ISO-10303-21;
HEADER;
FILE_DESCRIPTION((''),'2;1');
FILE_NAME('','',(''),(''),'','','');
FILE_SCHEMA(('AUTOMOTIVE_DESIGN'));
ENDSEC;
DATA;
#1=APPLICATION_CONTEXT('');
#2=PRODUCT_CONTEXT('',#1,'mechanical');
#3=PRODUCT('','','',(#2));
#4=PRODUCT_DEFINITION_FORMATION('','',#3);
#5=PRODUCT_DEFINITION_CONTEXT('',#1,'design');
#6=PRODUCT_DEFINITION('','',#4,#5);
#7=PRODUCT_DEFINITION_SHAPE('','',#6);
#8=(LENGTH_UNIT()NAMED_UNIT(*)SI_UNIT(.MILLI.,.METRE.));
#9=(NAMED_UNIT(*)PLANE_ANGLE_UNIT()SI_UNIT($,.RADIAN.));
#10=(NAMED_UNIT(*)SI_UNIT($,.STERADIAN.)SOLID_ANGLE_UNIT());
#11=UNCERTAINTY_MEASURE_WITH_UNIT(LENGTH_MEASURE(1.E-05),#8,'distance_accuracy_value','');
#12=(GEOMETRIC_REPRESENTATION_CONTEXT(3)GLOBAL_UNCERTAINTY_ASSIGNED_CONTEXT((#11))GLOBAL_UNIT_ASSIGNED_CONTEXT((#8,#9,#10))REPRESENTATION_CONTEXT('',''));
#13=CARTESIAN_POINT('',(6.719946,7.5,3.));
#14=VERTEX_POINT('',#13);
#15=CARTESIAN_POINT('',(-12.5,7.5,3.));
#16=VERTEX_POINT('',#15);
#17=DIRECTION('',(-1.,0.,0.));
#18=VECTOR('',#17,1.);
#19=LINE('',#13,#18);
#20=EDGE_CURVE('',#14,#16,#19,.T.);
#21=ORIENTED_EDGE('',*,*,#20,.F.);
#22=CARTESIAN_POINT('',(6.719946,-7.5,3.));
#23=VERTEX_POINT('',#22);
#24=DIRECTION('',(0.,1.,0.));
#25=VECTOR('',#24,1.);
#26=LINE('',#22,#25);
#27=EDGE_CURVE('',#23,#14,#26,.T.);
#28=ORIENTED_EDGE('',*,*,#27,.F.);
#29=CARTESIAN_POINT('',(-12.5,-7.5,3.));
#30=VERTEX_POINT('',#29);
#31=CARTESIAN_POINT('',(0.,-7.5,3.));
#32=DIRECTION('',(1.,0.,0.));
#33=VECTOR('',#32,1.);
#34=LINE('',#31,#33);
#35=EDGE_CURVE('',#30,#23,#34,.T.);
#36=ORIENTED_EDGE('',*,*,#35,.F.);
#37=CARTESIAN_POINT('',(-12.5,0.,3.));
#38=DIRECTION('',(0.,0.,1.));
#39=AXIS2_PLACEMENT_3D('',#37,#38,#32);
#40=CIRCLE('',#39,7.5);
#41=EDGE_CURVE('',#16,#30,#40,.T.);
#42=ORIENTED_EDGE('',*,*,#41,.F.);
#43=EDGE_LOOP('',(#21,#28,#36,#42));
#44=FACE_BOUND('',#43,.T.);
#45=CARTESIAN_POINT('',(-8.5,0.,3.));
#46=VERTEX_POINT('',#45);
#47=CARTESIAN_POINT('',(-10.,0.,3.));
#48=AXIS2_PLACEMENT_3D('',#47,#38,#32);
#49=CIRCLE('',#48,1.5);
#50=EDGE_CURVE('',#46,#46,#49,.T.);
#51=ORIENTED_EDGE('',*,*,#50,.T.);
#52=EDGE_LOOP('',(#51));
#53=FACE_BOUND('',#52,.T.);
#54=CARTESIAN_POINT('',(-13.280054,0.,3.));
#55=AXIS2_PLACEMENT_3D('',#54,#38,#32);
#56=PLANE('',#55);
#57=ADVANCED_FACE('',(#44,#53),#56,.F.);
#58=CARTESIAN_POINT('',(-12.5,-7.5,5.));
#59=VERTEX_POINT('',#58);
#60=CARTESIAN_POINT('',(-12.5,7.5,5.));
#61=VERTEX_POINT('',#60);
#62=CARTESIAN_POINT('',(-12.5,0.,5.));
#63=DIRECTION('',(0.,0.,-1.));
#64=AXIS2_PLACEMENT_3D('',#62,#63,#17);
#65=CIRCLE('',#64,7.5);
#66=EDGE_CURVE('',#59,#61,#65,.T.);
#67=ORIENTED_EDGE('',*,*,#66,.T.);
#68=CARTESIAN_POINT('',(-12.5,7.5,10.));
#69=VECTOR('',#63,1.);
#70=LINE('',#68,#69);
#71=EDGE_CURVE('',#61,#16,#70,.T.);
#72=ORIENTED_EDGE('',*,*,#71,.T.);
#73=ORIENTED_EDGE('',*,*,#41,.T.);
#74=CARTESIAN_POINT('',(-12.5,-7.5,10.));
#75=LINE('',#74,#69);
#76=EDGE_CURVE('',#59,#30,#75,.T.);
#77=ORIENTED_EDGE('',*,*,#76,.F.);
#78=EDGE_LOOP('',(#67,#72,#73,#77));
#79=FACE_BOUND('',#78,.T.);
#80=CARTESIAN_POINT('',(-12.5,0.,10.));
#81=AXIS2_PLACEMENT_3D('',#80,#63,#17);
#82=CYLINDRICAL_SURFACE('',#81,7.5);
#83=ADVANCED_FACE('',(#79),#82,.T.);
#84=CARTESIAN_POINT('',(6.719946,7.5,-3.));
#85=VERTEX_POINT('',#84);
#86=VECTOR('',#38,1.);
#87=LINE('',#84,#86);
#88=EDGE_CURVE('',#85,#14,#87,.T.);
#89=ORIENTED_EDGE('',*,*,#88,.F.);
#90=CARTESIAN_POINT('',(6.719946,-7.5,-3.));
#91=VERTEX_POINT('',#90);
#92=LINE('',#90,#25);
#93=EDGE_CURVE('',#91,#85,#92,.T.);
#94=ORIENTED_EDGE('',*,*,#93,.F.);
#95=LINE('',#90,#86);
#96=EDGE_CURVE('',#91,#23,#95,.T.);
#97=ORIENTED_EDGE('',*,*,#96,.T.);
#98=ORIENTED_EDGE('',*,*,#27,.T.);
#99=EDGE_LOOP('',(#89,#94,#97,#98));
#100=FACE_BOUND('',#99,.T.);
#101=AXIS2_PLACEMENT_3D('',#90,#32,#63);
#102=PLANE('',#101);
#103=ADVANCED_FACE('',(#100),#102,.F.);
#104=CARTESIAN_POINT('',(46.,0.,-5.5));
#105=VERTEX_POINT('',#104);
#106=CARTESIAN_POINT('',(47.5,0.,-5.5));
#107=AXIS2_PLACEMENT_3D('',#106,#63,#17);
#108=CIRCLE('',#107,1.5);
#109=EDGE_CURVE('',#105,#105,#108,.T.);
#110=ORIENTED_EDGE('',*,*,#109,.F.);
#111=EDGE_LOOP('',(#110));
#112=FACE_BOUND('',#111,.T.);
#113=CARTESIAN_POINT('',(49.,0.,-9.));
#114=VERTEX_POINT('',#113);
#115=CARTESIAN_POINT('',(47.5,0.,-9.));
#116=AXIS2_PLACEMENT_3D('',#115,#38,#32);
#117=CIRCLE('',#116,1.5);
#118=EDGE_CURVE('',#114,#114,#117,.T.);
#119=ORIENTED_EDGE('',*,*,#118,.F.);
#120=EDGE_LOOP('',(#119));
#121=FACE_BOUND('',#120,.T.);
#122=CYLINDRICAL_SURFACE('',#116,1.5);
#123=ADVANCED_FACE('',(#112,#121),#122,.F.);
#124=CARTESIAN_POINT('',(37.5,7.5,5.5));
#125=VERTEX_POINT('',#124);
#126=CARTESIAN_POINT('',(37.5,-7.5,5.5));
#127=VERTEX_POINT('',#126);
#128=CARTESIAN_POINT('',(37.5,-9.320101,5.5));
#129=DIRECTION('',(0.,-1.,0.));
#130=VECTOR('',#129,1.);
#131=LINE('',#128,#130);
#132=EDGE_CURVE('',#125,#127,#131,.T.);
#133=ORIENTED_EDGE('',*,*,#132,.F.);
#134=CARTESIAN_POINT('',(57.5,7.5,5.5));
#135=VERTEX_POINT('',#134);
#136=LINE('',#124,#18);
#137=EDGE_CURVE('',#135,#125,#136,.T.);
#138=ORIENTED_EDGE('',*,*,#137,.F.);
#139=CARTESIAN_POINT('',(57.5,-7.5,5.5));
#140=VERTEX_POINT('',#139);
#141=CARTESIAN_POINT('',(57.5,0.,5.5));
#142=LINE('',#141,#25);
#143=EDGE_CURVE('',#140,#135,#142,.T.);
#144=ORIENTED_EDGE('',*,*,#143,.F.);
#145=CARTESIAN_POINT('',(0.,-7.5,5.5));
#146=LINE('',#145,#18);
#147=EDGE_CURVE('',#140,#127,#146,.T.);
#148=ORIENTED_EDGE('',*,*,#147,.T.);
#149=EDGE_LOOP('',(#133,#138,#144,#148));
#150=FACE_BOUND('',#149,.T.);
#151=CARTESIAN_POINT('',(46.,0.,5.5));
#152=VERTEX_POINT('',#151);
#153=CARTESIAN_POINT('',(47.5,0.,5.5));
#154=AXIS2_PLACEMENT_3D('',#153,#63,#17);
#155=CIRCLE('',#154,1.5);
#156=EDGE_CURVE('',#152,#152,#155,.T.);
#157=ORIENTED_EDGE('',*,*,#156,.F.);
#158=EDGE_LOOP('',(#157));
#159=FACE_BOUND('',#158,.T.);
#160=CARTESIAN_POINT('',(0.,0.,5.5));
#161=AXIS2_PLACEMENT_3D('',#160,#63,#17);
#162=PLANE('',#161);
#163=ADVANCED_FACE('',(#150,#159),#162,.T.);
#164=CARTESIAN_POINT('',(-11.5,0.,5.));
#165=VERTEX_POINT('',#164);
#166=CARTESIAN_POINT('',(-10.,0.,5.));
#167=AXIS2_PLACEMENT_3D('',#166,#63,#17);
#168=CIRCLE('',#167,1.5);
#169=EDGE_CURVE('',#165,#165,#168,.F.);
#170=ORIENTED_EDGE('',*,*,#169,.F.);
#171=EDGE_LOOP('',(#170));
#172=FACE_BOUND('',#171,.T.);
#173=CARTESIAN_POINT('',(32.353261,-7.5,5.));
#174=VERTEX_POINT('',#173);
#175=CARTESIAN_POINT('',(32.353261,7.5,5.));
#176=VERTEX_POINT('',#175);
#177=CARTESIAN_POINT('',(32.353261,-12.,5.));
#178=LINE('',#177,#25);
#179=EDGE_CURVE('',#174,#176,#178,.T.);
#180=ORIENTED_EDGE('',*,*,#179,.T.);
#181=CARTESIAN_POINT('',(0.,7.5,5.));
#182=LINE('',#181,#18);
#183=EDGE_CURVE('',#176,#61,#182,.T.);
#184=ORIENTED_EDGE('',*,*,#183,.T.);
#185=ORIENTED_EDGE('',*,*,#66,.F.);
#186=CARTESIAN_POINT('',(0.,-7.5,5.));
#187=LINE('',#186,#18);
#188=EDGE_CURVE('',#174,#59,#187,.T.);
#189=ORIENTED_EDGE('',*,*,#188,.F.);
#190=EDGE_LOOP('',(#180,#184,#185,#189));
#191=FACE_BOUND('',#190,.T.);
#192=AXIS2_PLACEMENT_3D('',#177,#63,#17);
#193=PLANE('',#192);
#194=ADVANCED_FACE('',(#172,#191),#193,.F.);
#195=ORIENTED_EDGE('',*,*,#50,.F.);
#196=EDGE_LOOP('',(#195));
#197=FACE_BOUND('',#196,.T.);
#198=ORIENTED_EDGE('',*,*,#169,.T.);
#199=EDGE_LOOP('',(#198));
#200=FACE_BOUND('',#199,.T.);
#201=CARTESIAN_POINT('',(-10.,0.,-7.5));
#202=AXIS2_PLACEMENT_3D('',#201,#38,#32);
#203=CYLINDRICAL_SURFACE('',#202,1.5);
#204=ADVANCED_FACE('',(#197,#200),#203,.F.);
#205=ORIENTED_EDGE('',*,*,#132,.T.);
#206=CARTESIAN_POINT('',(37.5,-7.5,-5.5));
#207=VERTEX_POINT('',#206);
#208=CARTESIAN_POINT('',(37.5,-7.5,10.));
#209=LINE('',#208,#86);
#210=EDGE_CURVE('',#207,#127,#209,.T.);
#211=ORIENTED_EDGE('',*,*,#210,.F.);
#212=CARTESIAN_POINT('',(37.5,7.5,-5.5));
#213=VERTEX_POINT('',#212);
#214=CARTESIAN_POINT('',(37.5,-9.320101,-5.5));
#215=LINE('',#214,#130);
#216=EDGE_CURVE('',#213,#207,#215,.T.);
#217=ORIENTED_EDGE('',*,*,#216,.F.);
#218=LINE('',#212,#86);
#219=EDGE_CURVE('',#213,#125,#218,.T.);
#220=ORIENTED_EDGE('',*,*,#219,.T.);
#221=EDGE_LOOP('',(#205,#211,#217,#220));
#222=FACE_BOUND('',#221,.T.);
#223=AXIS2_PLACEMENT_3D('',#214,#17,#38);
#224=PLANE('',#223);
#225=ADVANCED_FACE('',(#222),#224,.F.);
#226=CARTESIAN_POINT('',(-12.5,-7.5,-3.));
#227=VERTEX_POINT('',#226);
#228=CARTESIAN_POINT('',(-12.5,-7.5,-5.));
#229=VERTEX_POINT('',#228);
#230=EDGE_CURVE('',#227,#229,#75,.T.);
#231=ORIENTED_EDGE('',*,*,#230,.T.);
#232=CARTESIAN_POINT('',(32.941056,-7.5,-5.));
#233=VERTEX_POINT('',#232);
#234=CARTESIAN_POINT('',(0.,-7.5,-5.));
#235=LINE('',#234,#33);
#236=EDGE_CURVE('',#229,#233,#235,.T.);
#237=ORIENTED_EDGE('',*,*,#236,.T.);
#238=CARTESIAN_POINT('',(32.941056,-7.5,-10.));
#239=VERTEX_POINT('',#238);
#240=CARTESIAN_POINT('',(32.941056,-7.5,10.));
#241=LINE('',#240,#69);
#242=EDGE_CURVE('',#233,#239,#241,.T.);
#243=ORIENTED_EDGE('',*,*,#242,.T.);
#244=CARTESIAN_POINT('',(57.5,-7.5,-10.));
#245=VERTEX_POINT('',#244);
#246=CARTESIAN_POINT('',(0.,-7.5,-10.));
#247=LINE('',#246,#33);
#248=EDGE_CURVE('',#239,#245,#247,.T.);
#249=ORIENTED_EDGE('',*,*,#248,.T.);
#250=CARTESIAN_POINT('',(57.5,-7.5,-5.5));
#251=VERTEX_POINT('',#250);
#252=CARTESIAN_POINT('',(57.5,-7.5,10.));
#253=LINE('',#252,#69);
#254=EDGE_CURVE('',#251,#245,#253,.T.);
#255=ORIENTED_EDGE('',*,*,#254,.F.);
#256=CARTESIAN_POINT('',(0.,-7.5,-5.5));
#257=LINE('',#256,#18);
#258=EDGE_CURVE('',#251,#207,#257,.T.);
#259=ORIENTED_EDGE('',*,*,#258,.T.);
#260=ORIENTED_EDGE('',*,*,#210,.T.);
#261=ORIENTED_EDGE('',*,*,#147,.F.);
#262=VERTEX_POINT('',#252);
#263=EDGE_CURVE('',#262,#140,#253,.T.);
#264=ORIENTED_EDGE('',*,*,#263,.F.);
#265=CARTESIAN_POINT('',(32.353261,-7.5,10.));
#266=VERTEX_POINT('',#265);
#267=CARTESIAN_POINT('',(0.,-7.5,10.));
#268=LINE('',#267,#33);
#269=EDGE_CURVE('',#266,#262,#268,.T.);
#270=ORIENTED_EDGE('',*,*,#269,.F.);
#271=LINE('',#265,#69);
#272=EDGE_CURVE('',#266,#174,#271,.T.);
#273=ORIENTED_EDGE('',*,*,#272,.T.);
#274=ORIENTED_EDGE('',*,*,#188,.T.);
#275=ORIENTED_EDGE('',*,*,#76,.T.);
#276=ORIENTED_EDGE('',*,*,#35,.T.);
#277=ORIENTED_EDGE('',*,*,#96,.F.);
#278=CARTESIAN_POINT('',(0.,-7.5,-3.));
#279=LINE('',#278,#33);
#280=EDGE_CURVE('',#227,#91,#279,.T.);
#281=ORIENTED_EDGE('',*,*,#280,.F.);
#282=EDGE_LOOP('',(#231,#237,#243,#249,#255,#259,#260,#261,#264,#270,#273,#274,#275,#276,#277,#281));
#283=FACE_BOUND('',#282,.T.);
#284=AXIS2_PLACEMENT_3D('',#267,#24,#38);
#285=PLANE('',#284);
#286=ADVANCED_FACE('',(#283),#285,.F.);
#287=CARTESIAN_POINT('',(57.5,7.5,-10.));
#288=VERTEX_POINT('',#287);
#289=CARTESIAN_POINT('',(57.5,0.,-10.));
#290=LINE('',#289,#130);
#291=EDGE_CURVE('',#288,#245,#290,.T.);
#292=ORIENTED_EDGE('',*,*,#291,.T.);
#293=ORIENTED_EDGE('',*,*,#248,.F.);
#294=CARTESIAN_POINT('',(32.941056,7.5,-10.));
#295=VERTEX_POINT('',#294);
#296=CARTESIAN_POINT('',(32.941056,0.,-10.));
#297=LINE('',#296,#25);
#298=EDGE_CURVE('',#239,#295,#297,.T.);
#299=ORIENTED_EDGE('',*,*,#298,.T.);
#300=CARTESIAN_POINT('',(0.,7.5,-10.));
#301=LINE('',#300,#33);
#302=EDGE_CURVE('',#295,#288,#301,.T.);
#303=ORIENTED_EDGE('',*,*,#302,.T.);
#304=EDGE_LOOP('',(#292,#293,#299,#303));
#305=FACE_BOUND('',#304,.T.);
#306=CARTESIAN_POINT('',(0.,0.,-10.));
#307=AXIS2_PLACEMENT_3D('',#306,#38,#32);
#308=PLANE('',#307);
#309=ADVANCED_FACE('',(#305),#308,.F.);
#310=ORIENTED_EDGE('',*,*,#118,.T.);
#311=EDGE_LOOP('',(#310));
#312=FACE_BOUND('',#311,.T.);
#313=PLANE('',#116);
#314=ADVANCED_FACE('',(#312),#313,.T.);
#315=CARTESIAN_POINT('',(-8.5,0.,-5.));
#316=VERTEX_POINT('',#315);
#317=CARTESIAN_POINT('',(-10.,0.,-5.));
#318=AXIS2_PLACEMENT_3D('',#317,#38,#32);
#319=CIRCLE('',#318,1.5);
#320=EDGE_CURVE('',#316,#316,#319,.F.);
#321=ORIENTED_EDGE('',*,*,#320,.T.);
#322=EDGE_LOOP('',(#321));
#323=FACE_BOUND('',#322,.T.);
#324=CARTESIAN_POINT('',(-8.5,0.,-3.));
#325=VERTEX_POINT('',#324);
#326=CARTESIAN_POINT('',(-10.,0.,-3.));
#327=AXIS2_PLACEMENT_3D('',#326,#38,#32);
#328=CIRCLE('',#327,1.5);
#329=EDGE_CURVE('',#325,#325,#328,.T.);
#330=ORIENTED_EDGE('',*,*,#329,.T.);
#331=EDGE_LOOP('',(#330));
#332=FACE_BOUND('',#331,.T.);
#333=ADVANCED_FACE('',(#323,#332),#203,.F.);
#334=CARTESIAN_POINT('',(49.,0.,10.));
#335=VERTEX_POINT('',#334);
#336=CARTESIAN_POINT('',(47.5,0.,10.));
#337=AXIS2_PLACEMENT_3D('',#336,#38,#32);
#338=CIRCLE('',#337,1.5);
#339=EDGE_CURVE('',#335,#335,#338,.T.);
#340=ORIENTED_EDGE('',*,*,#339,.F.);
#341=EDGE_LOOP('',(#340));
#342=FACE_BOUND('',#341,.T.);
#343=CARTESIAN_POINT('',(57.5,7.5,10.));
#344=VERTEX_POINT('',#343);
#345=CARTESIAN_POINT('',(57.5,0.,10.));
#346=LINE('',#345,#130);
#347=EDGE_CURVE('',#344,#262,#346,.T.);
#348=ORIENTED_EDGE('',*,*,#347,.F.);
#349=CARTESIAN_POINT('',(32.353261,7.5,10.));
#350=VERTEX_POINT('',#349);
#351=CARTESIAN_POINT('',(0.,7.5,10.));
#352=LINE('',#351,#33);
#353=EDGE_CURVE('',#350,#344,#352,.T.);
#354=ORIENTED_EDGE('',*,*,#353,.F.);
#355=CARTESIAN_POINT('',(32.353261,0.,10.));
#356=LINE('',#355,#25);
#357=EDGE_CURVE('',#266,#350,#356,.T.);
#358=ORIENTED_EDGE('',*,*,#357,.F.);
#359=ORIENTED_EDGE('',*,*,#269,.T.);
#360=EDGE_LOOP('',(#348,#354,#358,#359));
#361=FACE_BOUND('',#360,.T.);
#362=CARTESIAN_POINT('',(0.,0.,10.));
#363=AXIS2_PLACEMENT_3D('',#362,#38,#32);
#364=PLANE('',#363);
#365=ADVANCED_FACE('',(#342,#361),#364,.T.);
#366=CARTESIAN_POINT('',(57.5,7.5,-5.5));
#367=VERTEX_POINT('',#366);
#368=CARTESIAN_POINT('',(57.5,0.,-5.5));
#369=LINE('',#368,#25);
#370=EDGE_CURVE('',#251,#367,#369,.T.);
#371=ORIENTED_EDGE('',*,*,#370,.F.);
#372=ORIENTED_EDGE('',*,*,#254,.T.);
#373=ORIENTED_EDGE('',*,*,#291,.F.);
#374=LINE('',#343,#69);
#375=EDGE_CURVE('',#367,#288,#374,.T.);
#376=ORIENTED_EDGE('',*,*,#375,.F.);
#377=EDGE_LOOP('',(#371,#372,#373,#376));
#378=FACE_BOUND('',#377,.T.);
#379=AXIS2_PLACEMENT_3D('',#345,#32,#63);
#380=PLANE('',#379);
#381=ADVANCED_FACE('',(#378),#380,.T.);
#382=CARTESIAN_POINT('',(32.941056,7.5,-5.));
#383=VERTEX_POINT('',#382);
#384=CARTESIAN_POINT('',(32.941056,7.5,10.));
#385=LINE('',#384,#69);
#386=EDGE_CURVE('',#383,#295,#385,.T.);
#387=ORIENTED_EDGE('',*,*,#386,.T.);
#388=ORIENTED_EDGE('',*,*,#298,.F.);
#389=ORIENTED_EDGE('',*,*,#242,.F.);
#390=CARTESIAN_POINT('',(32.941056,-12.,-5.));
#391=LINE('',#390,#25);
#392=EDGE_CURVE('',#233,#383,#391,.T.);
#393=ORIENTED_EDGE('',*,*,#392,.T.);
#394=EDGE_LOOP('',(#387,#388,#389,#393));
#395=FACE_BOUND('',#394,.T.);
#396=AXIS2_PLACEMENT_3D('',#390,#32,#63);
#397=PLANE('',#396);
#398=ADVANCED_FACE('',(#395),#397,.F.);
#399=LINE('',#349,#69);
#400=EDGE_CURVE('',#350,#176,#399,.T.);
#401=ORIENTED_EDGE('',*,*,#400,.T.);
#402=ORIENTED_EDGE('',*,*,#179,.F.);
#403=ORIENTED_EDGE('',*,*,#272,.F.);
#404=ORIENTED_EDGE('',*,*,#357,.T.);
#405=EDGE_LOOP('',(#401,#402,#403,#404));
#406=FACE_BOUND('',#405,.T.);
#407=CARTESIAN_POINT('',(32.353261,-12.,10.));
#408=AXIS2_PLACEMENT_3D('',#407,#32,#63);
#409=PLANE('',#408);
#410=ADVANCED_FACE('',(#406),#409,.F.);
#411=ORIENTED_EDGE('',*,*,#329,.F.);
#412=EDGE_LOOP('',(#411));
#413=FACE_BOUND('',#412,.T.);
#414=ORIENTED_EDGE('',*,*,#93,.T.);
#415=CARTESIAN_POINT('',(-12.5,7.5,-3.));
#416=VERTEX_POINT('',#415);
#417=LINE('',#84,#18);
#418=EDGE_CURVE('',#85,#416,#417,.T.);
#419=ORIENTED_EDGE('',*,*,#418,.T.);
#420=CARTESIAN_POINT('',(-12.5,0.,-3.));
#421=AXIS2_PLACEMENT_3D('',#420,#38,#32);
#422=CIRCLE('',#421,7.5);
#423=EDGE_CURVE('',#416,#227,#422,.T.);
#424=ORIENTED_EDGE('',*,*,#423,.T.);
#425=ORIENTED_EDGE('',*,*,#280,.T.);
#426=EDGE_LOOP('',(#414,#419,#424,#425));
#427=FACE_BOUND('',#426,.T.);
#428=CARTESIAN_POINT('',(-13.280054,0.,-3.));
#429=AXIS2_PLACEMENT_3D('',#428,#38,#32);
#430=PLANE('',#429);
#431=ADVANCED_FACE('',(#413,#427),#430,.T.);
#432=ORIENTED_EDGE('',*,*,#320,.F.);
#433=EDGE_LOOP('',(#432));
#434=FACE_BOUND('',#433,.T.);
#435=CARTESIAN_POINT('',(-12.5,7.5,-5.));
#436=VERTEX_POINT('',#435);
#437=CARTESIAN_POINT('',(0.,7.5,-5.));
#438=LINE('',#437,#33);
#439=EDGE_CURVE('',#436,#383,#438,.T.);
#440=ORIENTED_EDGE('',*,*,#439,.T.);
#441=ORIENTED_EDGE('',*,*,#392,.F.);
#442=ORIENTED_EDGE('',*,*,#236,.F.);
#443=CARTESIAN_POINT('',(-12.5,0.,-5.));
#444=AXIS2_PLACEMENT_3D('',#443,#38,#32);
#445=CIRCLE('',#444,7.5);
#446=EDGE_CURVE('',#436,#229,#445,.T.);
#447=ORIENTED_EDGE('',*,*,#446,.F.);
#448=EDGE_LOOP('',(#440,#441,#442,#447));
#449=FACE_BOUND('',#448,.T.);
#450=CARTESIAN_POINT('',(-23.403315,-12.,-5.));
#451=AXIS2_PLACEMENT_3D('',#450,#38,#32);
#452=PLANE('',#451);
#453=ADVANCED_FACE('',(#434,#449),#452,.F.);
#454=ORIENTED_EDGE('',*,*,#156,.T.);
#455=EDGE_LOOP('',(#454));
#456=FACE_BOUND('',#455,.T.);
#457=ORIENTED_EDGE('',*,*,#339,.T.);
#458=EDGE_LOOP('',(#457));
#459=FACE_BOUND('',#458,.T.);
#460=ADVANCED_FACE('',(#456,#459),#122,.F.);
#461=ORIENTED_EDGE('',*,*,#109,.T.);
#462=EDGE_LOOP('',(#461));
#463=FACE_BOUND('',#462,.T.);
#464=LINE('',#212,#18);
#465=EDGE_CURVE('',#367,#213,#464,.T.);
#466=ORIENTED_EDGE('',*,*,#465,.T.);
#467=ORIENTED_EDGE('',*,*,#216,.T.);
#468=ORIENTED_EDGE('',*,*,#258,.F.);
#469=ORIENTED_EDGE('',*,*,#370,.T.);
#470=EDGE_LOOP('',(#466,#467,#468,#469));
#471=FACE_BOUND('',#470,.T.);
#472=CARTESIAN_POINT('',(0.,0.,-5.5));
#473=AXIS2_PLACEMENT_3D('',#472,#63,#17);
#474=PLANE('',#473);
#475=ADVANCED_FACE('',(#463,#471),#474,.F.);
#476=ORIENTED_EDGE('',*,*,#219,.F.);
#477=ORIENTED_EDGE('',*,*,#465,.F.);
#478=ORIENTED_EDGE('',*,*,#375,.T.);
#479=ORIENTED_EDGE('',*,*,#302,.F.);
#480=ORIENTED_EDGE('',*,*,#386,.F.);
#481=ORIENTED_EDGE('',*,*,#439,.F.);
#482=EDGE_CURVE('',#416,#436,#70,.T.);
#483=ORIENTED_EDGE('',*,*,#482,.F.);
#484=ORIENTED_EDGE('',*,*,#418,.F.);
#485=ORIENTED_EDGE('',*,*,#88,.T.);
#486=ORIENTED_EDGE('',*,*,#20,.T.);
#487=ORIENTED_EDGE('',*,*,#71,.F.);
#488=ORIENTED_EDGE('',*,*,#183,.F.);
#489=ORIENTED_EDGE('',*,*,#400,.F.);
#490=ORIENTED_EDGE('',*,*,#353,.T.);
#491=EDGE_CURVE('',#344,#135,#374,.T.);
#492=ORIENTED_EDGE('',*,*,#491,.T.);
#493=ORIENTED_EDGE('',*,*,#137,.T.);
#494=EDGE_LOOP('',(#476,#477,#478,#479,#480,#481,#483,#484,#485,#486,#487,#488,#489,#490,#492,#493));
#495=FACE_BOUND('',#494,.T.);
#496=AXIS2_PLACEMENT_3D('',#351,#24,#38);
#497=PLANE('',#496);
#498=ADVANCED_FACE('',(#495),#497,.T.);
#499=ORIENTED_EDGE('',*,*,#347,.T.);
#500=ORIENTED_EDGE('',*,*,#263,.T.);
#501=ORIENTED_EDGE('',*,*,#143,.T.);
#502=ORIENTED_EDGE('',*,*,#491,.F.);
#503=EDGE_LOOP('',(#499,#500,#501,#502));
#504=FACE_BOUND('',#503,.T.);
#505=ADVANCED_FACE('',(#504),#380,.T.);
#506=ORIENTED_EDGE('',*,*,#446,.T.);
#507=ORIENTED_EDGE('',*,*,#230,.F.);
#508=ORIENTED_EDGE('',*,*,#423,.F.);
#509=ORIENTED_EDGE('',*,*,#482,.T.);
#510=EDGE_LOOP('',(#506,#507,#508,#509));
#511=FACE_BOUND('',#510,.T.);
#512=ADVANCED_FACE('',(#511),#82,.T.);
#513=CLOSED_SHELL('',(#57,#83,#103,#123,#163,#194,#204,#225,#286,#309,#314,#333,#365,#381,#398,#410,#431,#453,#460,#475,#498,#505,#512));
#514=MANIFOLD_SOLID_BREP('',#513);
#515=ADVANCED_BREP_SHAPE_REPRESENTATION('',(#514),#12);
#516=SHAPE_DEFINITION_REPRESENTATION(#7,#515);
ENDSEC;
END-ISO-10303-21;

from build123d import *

# Parameters (mm, degrees)
Y_KSEKLIK_EKSTR_ZYON1_DEPTH = 10
KES_EKSTR_ZYON1_DEPTH       = 3
IZIM4_R                     = 1.5
KES_EKSTR_ZYON2_DEPTH       = 7.5
IZIM5_W                     = 20
IZIM5_H                     = 16.82010055
KES_EKSTR_ZYON4_DEPTH       = 5.5
IZIM6_R                     = 1.5
KES_EKSTR_ZYON5_DEPTH       = 19
KES_EKSTR_ZYON6_DEPTH       = 12


with BuildPart() as part:
    # Çizim1 → Yükseklik-Ekstrüzyon1 (new, symmetric)
    with BuildSketch(Plane.XY):
        with BuildLine():
            Line((-12.5, 7.5), (57.5, 7.5))
            Line((57.5, 7.5), (57.5, -7.5))
            Line((57.5, -7.5), (-12.5, -7.5))
            ThreePointArc((-12.5, -7.5), (-20, 0), (-12.5, 7.5))
        make_face()
    extrude(amount=Y_KSEKLIK_EKSTR_ZYON1_DEPTH, both=True)

    # Çizim2 → Kes-Ekstrüzyon1 (cut, symmetric)
    with BuildSketch(Plane.XY):
        with BuildLine():
            Line((6.719945644, -7.5), (-13.280054356, -7.5))
            ThreePointArc((-13.280054356, -7.5), (-20.780054356, 0), (-13.280054356, 7.5))
            Line((-13.280054356, 7.5), (6.719945644, 7.5))
            Line((6.719945644, 7.5), (6.719945644, -7.5))
        make_face()
    extrude(amount=KES_EKSTR_ZYON1_DEPTH, both=True, mode=Mode.SUBTRACT)

    # Çizim4 → Kes-Ekstrüzyon2 (cut, symmetric)
    with BuildSketch(Plane.XY):
        with Locations((-10, 0)):
            Circle(IZIM4_R)
    extrude(amount=KES_EKSTR_ZYON2_DEPTH, both=True, mode=Mode.SUBTRACT)

    # Çizim5 → Kes-Ekstrüzyon4 (cut, symmetric)
    with BuildSketch(Plane.XY):
        with Locations((47.5, -0.910050275)):
            Rectangle(IZIM5_W, IZIM5_H)
    extrude(amount=KES_EKSTR_ZYON4_DEPTH, both=True, mode=Mode.SUBTRACT)

    # Çizim6 → Kes-Ekstrüzyon5 (cut)
    with BuildSketch(Plane.XY.offset(10)):
        with Locations((47.5, 0)):
            Circle(IZIM6_R)
    extrude(amount=-KES_EKSTR_ZYON5_DEPTH, mode=Mode.SUBTRACT)

    # Çizim7 → Kes-Ekstrüzyon6 (cut, symmetric)
    with BuildSketch(Plane(origin=(0, 0, 0), x_dir=(1, 0, 0), z_dir=(0, 1, 0))):
        Polygon((32.353261004, -10), (32.353261004, -5), (-23.403314964, -5), (-23.403314964, 5), (32.941056233, 5), (32.941056233, 10), (-29.197296503, 10), (-29.197296503, -10), align=None)
    extrude(amount=KES_EKSTR_ZYON6_DEPTH, both=True, mode=Mode.SUBTRACT)


solid = part.part
